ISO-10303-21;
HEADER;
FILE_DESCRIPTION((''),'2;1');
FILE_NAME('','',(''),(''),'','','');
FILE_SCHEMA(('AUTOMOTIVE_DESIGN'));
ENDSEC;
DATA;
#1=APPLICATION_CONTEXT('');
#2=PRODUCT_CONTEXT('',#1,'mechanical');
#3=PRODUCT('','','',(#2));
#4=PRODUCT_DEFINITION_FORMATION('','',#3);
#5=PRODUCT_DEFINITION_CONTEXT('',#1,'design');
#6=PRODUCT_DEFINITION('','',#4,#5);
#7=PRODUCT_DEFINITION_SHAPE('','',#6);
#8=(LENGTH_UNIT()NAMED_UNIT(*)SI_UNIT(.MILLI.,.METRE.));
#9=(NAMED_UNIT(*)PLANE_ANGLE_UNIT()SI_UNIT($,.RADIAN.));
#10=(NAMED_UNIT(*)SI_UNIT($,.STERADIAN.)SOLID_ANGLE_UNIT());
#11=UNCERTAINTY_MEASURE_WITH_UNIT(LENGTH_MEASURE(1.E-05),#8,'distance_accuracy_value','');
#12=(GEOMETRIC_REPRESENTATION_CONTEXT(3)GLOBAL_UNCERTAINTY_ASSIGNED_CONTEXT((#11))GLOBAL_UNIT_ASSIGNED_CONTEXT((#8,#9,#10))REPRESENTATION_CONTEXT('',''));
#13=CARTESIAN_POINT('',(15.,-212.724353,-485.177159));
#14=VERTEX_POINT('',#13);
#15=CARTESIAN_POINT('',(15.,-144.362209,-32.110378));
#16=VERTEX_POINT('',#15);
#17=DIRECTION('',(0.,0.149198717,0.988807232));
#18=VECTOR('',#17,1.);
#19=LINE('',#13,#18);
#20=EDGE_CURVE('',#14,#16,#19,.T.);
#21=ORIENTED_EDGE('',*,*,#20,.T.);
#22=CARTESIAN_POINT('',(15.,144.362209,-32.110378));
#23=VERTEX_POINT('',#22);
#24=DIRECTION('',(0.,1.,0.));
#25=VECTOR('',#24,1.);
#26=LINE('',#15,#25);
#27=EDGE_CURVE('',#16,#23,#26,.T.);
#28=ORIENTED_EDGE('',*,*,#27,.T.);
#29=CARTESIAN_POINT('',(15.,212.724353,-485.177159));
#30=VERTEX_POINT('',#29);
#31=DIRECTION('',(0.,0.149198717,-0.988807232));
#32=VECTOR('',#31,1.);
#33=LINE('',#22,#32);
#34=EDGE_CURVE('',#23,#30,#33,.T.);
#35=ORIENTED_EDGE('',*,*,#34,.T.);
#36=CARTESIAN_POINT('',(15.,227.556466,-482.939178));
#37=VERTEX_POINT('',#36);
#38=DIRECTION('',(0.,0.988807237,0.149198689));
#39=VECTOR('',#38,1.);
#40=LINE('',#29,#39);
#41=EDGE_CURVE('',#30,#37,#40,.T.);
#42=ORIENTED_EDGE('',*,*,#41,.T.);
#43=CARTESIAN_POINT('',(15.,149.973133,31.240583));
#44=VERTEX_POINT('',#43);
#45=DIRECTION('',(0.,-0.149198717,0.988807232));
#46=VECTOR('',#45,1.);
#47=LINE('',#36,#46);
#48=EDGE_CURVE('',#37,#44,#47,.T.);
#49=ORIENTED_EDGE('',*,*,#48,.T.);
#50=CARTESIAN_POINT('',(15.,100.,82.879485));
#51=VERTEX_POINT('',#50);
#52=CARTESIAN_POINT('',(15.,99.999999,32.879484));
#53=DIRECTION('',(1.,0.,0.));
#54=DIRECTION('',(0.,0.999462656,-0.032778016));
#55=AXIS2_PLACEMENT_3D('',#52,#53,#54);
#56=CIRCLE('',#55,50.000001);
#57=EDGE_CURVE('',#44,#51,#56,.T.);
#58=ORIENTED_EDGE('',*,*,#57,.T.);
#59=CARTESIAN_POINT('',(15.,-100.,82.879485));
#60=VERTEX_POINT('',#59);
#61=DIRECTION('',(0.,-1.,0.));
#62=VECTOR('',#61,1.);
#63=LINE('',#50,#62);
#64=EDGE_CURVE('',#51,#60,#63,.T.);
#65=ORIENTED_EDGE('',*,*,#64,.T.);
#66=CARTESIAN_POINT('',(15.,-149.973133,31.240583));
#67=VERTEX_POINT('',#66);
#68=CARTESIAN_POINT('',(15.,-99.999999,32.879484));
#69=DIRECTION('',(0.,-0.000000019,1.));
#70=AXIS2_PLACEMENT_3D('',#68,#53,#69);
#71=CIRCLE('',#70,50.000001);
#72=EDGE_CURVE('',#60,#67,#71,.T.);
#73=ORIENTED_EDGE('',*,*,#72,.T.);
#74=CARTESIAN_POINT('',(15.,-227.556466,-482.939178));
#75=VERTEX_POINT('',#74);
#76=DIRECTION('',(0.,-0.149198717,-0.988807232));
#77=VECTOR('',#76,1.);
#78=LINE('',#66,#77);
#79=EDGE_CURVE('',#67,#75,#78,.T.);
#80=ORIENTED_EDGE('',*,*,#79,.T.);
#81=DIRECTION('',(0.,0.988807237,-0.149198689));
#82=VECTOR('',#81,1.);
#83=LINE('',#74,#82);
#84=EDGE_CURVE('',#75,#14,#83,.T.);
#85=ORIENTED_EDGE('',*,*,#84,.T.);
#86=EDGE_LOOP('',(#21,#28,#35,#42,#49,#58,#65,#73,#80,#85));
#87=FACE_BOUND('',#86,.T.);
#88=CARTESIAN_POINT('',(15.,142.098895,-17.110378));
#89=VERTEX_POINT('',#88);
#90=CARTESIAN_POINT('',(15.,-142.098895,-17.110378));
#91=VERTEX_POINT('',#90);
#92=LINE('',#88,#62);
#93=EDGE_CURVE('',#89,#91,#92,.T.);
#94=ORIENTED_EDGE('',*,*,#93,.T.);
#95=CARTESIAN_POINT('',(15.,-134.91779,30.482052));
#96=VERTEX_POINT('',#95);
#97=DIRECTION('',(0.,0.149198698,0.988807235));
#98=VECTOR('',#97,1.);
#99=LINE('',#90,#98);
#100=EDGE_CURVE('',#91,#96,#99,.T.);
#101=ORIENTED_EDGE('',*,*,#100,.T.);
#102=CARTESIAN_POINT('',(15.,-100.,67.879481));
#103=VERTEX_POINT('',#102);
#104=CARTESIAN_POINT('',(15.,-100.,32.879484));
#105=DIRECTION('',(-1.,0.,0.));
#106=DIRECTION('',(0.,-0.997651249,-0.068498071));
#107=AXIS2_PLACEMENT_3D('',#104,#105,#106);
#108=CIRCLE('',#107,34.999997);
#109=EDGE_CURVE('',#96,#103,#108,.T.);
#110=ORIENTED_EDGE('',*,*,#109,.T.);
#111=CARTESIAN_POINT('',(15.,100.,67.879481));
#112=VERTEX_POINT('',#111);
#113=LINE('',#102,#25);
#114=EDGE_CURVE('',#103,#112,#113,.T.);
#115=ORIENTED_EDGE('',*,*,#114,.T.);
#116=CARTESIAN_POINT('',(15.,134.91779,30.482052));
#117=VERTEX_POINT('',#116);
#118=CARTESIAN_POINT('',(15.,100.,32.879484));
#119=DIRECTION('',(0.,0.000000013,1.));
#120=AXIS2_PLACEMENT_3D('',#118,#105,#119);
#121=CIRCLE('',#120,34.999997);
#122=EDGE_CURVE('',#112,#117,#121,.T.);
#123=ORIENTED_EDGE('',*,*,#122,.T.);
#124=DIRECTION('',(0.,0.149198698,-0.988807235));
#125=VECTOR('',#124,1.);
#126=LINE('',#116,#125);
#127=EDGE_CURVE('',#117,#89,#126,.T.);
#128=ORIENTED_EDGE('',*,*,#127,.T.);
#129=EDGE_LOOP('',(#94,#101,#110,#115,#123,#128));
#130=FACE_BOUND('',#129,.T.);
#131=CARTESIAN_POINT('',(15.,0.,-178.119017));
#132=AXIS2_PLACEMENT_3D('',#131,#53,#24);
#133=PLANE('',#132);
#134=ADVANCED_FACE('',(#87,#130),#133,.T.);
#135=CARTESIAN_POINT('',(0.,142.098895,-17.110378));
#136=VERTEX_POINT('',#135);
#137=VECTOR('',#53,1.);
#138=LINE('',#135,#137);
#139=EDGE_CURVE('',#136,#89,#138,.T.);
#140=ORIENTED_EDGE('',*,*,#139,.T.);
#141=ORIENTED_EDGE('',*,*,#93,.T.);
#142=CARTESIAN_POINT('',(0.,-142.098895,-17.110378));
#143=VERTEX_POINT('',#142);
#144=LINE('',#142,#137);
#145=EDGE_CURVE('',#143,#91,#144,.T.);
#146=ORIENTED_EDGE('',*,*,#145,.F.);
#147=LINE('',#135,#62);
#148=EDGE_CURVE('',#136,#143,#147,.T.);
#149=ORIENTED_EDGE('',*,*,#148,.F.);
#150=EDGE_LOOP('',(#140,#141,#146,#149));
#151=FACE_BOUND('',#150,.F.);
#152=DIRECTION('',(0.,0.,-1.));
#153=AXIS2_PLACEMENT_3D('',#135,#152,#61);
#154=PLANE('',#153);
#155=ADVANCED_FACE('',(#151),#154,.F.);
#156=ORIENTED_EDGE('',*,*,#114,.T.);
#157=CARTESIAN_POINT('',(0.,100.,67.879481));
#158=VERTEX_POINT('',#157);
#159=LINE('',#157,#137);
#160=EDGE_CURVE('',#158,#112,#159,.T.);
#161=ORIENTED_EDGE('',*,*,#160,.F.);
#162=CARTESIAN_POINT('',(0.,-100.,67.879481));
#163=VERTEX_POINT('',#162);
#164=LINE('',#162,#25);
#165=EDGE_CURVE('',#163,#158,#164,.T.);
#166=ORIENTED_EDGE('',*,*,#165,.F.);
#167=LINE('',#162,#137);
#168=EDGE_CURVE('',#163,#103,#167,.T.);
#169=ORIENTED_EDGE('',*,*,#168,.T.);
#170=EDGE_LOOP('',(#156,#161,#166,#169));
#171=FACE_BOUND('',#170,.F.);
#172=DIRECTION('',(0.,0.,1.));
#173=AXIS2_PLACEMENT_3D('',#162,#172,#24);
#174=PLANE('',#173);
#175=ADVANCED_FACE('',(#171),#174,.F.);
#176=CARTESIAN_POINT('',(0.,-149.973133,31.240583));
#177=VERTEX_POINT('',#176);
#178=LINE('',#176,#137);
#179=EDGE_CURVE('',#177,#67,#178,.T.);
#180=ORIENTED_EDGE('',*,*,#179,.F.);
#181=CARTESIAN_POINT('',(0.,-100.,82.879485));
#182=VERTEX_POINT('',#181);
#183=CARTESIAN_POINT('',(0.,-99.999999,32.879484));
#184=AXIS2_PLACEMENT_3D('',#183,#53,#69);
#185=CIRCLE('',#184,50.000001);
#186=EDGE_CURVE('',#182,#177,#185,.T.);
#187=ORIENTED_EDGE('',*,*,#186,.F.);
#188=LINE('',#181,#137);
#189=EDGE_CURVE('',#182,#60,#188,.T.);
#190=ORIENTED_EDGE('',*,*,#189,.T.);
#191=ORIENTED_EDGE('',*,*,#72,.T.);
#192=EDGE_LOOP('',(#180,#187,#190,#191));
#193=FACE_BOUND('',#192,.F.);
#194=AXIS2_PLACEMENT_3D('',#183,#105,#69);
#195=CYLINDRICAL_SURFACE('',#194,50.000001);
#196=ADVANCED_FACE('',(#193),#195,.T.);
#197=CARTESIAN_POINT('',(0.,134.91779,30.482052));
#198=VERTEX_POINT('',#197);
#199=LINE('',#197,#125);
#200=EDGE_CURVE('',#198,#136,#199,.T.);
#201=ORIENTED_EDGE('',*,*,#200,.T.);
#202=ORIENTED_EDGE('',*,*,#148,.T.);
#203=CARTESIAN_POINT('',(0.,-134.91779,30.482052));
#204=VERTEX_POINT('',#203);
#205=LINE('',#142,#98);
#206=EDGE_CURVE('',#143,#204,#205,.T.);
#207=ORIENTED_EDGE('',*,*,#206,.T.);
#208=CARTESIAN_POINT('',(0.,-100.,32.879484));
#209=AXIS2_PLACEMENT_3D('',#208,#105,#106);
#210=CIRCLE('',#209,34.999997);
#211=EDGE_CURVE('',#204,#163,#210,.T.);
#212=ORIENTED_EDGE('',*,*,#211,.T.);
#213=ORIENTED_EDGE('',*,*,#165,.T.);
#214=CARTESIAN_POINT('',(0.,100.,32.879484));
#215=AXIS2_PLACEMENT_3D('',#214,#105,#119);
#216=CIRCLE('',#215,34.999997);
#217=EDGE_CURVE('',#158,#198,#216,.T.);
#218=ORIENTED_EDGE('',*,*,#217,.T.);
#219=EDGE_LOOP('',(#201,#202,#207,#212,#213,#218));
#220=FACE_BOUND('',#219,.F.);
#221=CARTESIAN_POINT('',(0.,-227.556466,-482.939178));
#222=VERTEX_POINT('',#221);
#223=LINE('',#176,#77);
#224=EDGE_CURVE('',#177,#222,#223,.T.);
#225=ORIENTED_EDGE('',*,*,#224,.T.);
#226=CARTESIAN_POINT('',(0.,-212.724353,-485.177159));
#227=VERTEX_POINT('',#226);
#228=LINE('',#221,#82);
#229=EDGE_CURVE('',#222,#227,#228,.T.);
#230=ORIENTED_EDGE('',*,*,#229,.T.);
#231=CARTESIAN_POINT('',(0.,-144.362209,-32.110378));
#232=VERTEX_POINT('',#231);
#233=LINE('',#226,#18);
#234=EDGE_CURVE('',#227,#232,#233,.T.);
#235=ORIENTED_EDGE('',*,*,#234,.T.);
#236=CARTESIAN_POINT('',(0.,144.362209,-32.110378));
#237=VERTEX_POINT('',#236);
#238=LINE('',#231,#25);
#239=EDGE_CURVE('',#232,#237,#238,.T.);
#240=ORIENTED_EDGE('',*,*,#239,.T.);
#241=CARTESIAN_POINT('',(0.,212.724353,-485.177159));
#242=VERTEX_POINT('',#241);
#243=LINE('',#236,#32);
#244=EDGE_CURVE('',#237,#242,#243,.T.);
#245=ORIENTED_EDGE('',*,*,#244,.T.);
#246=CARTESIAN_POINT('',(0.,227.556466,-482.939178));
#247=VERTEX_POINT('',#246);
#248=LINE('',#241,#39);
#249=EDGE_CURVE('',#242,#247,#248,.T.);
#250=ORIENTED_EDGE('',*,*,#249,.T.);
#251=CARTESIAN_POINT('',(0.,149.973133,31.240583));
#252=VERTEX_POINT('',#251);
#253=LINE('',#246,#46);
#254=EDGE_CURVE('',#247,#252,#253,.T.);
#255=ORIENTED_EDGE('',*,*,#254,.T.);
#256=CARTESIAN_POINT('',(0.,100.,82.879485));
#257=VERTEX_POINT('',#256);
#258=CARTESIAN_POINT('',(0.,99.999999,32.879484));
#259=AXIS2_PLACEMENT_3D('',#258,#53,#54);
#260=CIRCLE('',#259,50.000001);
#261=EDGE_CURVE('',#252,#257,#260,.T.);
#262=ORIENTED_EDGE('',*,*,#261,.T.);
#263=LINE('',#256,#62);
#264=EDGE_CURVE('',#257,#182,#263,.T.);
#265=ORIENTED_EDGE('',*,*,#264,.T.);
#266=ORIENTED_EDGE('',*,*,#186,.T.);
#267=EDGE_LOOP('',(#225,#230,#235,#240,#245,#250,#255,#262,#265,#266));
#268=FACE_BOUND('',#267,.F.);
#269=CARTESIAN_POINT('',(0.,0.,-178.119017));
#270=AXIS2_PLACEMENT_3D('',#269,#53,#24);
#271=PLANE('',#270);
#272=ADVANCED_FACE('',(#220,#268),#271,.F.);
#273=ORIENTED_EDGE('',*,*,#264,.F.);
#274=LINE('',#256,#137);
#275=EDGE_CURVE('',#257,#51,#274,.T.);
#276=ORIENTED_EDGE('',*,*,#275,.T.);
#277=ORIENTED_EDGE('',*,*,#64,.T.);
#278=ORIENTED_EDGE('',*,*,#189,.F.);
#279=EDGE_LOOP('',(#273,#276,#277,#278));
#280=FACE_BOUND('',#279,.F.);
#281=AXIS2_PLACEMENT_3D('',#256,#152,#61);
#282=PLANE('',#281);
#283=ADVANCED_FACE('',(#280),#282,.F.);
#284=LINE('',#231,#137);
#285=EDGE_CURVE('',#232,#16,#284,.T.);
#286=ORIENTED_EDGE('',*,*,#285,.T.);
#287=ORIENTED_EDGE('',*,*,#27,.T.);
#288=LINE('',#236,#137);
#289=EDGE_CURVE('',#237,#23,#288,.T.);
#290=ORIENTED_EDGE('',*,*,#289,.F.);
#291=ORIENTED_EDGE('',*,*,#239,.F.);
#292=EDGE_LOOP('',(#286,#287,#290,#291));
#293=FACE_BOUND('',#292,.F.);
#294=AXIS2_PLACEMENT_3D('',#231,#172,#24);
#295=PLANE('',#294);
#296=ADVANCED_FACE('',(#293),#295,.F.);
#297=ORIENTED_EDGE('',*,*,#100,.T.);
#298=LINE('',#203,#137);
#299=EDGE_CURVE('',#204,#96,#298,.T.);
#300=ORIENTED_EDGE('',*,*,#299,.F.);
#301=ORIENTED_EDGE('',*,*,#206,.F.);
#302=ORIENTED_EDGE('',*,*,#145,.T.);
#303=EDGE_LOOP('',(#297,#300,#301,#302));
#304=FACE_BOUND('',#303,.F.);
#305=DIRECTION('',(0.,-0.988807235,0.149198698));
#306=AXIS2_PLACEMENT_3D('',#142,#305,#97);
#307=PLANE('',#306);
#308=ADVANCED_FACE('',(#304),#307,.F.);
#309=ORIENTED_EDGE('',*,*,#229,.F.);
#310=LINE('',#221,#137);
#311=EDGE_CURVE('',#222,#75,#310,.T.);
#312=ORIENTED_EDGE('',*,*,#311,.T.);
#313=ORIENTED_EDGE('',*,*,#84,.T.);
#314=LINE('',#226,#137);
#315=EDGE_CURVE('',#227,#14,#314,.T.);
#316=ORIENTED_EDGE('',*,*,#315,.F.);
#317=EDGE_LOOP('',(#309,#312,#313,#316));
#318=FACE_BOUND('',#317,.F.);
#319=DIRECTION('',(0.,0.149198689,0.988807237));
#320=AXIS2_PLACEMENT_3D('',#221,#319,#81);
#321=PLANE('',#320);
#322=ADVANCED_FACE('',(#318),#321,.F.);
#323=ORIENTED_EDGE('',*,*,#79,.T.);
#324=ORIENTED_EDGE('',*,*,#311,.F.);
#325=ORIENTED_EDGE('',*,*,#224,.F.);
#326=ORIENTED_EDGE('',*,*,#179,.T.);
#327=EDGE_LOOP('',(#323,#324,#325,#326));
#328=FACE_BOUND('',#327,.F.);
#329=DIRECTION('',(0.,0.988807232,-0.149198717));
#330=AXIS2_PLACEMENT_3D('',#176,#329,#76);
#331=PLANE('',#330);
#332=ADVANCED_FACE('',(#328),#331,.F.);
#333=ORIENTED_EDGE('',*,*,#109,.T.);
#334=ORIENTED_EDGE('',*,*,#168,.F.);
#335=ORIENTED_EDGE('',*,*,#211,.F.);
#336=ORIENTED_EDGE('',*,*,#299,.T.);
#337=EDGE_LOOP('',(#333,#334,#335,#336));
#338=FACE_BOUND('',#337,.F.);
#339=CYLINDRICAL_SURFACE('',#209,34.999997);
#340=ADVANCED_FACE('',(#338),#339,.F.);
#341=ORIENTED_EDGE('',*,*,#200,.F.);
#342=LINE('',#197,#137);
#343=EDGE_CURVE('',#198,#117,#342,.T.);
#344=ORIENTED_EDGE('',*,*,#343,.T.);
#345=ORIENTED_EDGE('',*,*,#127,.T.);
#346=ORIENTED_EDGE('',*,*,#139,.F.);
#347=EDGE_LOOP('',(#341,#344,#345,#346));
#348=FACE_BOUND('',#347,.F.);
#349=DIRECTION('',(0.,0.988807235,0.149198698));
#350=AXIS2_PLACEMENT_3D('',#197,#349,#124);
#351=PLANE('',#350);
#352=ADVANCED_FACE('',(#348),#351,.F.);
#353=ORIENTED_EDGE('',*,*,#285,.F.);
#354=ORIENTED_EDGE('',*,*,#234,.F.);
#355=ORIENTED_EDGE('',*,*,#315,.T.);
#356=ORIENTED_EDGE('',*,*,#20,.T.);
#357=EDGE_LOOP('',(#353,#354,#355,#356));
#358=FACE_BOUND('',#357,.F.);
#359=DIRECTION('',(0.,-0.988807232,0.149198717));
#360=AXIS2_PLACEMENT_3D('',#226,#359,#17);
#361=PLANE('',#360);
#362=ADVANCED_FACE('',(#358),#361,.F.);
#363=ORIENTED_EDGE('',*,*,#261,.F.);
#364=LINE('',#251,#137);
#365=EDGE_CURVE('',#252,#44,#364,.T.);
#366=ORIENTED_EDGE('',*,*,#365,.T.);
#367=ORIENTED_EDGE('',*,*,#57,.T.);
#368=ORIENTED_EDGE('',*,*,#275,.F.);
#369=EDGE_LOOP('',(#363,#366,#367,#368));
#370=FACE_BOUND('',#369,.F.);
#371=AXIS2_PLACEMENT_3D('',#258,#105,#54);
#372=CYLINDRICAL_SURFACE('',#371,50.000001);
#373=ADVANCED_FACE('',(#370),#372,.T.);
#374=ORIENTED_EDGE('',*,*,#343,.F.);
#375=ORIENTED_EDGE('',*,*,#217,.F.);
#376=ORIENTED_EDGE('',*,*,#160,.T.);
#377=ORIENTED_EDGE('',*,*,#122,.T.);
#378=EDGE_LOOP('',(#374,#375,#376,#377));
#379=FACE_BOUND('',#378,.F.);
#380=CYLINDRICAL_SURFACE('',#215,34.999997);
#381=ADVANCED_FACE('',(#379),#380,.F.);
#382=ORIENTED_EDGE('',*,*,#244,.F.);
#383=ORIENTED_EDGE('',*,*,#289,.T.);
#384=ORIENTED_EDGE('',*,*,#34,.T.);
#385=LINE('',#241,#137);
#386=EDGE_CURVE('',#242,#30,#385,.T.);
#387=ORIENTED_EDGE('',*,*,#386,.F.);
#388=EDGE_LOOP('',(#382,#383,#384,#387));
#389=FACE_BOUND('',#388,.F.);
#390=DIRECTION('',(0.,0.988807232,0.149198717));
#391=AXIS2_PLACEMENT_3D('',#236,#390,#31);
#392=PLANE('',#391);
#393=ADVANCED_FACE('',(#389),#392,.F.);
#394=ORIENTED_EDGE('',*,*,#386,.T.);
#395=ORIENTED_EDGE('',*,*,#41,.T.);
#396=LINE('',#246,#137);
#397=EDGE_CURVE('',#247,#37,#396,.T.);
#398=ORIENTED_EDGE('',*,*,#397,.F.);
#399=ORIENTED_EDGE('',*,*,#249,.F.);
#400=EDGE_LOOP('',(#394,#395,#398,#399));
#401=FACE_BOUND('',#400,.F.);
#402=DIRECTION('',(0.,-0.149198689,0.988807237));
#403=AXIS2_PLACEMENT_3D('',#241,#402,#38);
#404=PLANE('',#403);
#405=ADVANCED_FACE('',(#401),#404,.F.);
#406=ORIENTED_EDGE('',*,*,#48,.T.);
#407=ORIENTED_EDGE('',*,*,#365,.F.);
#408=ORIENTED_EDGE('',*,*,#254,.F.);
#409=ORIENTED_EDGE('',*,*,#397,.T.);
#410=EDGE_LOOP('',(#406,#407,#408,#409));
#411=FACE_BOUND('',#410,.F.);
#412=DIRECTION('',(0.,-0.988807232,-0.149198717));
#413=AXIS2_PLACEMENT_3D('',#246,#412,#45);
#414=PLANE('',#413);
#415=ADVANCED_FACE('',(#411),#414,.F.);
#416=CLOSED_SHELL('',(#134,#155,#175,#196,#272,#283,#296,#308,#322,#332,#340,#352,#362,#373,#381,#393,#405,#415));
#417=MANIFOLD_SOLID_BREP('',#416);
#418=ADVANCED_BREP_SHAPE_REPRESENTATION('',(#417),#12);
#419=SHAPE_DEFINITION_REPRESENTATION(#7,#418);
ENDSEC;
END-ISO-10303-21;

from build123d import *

# Parameters (mm, degrees)
F1_DEPTH = 15


with BuildPart() as f1:
    # F0 (on Right) → F1 (new body)
    with BuildSketch(Plane.YZ):
        with BuildLine():
            ThreePointArc((-100, 82.879485), (-135.930106, 67.650557), (-149.973133, 31.240583))
            Line((-149.973133, 31.240583), (-227.556466, -482.939178))
            Line((-227.556466, -482.939178), (-212.724353, -485.177159))
            Line((-212.724353, -485.177159), (-144.362209, -32.110378))
            Line((-144.362209, -32.110378), (144.362209, -32.110378))
            Line((144.362209, -32.110378), (212.724353, -485.177159))
            Line((212.724353, -485.177159), (227.556466, -482.939178))
            Line((227.556466, -482.939178), (149.973133, 31.240583))
            ThreePointArc((149.973133, 31.240583), (135.930106, 67.650557), (100, 82.879485))
            Line((100, 82.879485), (0, 82.879485))
            Line((0, 82.879485), (-100, 82.879485))
        make_face()
        with BuildLine():
            Line((-142.098895, -17.110378), (-134.91779, 30.482052))
            ThreePointArc((-134.91779, 30.482052), (-125.582317, 56.765564), (-100, 67.879481))
            Line((-100, 67.879481), (0, 67.879481))
            Line((0, 67.879481), (100, 67.879481))
            ThreePointArc((100, 67.879481), (125.582317, 56.765564), (134.91779, 30.482052))
            Line((134.91779, 30.482052), (142.098895, -17.110378))
            Line((142.098895, -17.110378), (-142.098895, -17.110378))
        make_face(mode=Mode.SUBTRACT)
    extrude(amount=F1_DEPTH)


solid = f1.part
